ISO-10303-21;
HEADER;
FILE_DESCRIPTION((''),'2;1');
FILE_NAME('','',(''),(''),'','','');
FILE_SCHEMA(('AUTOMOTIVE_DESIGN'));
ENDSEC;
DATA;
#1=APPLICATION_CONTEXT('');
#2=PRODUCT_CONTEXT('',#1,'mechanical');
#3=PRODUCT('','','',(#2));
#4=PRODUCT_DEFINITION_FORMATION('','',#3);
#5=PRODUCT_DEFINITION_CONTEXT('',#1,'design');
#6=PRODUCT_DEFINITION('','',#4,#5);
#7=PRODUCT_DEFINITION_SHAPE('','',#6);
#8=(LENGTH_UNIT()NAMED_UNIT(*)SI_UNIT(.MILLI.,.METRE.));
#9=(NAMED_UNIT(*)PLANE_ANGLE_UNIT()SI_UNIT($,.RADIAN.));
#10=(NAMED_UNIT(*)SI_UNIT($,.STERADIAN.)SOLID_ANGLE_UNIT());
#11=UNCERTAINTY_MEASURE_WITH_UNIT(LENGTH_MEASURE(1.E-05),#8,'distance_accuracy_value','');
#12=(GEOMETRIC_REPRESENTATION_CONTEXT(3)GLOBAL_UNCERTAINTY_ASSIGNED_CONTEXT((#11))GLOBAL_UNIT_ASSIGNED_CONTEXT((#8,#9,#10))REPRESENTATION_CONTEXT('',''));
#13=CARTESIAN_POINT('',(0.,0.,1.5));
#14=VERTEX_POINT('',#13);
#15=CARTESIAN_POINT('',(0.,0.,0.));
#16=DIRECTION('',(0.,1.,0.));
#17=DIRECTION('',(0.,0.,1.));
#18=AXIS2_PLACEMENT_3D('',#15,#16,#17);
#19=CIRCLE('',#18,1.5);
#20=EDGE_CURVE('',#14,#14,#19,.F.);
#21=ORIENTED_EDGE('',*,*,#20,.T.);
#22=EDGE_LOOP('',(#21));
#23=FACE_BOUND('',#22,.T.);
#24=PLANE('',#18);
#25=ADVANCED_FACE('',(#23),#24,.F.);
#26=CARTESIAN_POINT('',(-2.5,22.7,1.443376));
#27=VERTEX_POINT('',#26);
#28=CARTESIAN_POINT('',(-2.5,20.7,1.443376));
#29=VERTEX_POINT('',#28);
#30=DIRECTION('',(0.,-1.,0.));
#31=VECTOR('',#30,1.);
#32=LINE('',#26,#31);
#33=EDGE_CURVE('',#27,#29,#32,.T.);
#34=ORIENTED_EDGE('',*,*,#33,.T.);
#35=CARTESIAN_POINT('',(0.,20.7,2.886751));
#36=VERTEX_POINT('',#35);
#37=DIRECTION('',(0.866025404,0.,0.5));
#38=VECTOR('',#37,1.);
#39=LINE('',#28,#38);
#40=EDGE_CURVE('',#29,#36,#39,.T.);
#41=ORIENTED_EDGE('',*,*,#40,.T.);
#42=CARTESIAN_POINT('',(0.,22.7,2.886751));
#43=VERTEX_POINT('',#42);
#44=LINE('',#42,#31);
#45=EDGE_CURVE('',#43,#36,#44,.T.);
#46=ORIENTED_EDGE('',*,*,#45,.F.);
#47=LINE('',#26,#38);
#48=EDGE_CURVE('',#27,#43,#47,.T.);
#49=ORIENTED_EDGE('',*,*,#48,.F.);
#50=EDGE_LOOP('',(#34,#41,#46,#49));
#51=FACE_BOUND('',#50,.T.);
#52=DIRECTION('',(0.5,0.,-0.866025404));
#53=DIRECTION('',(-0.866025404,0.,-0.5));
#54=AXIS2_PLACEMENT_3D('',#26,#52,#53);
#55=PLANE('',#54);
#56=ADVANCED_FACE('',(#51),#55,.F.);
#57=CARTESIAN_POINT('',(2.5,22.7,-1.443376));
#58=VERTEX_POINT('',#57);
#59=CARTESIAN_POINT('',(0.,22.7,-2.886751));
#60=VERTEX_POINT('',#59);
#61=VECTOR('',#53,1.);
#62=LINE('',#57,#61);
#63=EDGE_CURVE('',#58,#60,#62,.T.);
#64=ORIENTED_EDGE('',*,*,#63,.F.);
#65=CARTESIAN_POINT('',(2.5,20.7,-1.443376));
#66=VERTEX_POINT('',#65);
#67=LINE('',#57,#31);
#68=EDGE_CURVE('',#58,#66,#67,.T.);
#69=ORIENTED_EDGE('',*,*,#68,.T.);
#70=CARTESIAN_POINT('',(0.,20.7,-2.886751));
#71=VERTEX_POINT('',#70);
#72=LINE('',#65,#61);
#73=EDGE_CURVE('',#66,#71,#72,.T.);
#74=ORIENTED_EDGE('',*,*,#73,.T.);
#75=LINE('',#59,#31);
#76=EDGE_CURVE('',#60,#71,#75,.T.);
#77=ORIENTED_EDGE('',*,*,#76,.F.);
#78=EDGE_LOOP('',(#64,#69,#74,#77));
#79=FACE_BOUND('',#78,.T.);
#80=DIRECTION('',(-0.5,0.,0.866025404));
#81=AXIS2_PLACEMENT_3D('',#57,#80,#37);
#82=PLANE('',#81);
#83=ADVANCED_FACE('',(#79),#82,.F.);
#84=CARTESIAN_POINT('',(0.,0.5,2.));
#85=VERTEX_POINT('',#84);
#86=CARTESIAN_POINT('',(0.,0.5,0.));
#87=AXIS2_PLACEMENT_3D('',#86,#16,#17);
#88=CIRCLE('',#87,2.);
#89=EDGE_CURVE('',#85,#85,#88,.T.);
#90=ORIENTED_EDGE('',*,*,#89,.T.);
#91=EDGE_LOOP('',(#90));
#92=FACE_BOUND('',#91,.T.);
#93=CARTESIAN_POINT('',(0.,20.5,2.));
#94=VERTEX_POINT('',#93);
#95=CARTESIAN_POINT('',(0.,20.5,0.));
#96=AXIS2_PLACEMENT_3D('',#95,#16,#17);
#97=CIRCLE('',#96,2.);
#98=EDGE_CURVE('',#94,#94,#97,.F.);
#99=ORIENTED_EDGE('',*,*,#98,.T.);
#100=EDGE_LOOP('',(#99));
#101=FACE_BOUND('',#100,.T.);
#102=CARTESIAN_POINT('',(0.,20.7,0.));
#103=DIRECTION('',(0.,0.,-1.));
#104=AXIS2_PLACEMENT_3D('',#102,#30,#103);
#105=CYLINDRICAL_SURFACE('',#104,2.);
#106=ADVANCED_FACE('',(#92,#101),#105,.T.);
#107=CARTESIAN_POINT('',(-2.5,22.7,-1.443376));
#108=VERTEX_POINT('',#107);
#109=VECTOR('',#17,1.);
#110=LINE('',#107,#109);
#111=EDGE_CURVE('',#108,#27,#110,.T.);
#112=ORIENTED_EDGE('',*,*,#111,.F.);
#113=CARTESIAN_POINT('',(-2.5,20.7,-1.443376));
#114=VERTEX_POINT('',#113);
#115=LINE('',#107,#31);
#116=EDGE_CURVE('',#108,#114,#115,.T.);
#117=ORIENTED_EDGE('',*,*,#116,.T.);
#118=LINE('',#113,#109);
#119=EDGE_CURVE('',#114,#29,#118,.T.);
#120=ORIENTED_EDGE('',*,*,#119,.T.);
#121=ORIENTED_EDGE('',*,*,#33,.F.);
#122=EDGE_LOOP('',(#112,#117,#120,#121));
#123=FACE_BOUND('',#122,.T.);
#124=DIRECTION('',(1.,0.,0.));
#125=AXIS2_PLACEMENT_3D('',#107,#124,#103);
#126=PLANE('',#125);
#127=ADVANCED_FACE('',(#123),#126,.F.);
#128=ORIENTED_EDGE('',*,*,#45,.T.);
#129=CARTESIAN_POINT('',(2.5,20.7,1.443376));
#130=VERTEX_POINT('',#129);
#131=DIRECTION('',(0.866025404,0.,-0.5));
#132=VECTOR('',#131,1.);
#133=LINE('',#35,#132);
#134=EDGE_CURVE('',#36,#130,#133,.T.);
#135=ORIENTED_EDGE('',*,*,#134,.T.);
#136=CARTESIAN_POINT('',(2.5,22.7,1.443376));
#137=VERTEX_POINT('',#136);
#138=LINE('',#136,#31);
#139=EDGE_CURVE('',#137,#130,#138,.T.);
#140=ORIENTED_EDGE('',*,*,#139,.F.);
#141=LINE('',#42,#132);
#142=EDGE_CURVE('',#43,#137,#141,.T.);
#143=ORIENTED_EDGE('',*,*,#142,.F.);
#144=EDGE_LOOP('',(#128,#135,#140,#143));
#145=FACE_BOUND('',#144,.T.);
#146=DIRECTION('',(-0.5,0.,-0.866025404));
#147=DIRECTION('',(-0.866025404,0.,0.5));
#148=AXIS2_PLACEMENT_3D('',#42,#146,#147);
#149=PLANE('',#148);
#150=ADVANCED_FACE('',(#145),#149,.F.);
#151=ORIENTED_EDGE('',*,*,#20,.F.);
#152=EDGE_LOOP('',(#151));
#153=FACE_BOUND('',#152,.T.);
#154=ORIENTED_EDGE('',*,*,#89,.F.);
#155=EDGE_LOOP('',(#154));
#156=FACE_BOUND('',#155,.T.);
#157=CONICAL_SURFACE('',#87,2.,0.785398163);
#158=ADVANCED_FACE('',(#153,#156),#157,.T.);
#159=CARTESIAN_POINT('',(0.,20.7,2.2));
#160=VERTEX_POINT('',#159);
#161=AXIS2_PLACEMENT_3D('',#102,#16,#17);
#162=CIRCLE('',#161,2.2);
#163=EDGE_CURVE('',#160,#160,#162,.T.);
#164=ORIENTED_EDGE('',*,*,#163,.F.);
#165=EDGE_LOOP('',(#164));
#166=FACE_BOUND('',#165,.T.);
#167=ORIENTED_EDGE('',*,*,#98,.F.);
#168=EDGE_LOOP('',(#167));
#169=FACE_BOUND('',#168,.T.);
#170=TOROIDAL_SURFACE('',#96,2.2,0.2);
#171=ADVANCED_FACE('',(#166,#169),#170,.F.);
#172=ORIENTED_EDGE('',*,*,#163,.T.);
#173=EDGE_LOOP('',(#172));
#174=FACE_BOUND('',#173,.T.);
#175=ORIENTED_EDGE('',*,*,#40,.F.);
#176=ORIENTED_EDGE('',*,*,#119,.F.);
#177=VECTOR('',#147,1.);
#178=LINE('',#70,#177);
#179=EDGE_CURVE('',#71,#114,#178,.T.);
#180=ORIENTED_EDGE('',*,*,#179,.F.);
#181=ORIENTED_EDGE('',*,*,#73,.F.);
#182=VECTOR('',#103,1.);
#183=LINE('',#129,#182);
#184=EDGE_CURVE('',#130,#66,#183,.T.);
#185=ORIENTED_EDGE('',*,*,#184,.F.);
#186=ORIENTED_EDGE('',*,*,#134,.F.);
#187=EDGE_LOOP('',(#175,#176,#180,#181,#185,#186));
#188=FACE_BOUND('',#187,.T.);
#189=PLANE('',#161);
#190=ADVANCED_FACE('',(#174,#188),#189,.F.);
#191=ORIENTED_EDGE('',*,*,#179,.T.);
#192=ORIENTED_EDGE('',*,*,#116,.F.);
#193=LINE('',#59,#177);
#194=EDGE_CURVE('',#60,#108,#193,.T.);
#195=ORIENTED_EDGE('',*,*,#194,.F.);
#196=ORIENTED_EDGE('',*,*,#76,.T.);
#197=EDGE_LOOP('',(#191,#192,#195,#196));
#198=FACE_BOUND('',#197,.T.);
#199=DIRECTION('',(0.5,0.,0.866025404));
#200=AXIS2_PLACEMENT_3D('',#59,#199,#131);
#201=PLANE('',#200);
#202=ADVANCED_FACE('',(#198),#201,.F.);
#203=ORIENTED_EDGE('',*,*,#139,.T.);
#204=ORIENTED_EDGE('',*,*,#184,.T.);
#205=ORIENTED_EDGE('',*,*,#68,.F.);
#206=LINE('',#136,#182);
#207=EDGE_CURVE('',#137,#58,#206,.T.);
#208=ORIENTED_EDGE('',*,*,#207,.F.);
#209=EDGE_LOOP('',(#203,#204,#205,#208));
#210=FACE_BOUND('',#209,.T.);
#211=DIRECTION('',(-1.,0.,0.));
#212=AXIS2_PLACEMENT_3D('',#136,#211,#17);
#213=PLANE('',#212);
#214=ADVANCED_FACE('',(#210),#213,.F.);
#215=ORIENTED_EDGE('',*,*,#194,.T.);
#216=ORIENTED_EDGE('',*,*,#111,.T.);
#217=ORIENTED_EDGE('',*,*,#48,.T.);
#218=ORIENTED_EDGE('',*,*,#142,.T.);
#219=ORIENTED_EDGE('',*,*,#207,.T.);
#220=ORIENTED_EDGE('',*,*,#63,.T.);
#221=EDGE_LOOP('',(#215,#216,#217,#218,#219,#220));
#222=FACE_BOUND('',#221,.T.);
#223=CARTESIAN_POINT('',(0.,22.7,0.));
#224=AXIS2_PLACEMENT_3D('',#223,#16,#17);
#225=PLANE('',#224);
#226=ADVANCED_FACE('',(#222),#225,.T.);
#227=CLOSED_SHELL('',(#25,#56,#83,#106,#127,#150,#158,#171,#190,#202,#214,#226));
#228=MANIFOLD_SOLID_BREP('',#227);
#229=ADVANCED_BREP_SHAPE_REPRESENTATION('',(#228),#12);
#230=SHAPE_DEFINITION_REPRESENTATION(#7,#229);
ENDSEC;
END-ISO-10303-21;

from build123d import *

# Parameters (mm, degrees)
SKETCH1_R           = 2
BOSS_EXTRUDE1_DEPTH = 20.7
BOSS_EXTRUDE2_DEPTH = 2
CHAMFER1_SIZE       = 0.5
FILLET1_R           = 0.2


with BuildPart() as part:
    # Sketch1 → Boss-Extrude1 (new body)
    with BuildSketch(Plane(origin=(0, 0, 0), x_dir=(1, 0, 0), z_dir=(0, 1, 0))):
        Circle(SKETCH1_R)
    extrude(amount=BOSS_EXTRUDE1_DEPTH)

    # Sketch2 → Boss-Extrude2 (add)
    with BuildSketch(Plane(origin=(0, 20.7, 0), x_dir=(1, 0, 0), z_dir=(0, 1, 0))):
        Polygon((0, 2.886751346), (-2.5, 1.443375673), (-2.5, -1.443375673), (0, -2.886751346), (2.5, -1.443375673), (2.5, 1.443375673), align=None)
    extrude(amount=BOSS_EXTRUDE2_DEPTH)

    # Chamfer1
    chamfer1_edges = [part.edges().sort_by_distance(p)[0] for p in [
        (-2, 0, 0),
    ]]
    chamfer(chamfer1_edges, length=CHAMFER1_SIZE)

    # Fillet1
    fillet1_edges = [part.edges().sort_by_distance(p)[0] for p in [
        (-2, 20.7, 0),
    ]]
    fillet(fillet1_edges, radius=FILLET1_R)


solid = part.part
